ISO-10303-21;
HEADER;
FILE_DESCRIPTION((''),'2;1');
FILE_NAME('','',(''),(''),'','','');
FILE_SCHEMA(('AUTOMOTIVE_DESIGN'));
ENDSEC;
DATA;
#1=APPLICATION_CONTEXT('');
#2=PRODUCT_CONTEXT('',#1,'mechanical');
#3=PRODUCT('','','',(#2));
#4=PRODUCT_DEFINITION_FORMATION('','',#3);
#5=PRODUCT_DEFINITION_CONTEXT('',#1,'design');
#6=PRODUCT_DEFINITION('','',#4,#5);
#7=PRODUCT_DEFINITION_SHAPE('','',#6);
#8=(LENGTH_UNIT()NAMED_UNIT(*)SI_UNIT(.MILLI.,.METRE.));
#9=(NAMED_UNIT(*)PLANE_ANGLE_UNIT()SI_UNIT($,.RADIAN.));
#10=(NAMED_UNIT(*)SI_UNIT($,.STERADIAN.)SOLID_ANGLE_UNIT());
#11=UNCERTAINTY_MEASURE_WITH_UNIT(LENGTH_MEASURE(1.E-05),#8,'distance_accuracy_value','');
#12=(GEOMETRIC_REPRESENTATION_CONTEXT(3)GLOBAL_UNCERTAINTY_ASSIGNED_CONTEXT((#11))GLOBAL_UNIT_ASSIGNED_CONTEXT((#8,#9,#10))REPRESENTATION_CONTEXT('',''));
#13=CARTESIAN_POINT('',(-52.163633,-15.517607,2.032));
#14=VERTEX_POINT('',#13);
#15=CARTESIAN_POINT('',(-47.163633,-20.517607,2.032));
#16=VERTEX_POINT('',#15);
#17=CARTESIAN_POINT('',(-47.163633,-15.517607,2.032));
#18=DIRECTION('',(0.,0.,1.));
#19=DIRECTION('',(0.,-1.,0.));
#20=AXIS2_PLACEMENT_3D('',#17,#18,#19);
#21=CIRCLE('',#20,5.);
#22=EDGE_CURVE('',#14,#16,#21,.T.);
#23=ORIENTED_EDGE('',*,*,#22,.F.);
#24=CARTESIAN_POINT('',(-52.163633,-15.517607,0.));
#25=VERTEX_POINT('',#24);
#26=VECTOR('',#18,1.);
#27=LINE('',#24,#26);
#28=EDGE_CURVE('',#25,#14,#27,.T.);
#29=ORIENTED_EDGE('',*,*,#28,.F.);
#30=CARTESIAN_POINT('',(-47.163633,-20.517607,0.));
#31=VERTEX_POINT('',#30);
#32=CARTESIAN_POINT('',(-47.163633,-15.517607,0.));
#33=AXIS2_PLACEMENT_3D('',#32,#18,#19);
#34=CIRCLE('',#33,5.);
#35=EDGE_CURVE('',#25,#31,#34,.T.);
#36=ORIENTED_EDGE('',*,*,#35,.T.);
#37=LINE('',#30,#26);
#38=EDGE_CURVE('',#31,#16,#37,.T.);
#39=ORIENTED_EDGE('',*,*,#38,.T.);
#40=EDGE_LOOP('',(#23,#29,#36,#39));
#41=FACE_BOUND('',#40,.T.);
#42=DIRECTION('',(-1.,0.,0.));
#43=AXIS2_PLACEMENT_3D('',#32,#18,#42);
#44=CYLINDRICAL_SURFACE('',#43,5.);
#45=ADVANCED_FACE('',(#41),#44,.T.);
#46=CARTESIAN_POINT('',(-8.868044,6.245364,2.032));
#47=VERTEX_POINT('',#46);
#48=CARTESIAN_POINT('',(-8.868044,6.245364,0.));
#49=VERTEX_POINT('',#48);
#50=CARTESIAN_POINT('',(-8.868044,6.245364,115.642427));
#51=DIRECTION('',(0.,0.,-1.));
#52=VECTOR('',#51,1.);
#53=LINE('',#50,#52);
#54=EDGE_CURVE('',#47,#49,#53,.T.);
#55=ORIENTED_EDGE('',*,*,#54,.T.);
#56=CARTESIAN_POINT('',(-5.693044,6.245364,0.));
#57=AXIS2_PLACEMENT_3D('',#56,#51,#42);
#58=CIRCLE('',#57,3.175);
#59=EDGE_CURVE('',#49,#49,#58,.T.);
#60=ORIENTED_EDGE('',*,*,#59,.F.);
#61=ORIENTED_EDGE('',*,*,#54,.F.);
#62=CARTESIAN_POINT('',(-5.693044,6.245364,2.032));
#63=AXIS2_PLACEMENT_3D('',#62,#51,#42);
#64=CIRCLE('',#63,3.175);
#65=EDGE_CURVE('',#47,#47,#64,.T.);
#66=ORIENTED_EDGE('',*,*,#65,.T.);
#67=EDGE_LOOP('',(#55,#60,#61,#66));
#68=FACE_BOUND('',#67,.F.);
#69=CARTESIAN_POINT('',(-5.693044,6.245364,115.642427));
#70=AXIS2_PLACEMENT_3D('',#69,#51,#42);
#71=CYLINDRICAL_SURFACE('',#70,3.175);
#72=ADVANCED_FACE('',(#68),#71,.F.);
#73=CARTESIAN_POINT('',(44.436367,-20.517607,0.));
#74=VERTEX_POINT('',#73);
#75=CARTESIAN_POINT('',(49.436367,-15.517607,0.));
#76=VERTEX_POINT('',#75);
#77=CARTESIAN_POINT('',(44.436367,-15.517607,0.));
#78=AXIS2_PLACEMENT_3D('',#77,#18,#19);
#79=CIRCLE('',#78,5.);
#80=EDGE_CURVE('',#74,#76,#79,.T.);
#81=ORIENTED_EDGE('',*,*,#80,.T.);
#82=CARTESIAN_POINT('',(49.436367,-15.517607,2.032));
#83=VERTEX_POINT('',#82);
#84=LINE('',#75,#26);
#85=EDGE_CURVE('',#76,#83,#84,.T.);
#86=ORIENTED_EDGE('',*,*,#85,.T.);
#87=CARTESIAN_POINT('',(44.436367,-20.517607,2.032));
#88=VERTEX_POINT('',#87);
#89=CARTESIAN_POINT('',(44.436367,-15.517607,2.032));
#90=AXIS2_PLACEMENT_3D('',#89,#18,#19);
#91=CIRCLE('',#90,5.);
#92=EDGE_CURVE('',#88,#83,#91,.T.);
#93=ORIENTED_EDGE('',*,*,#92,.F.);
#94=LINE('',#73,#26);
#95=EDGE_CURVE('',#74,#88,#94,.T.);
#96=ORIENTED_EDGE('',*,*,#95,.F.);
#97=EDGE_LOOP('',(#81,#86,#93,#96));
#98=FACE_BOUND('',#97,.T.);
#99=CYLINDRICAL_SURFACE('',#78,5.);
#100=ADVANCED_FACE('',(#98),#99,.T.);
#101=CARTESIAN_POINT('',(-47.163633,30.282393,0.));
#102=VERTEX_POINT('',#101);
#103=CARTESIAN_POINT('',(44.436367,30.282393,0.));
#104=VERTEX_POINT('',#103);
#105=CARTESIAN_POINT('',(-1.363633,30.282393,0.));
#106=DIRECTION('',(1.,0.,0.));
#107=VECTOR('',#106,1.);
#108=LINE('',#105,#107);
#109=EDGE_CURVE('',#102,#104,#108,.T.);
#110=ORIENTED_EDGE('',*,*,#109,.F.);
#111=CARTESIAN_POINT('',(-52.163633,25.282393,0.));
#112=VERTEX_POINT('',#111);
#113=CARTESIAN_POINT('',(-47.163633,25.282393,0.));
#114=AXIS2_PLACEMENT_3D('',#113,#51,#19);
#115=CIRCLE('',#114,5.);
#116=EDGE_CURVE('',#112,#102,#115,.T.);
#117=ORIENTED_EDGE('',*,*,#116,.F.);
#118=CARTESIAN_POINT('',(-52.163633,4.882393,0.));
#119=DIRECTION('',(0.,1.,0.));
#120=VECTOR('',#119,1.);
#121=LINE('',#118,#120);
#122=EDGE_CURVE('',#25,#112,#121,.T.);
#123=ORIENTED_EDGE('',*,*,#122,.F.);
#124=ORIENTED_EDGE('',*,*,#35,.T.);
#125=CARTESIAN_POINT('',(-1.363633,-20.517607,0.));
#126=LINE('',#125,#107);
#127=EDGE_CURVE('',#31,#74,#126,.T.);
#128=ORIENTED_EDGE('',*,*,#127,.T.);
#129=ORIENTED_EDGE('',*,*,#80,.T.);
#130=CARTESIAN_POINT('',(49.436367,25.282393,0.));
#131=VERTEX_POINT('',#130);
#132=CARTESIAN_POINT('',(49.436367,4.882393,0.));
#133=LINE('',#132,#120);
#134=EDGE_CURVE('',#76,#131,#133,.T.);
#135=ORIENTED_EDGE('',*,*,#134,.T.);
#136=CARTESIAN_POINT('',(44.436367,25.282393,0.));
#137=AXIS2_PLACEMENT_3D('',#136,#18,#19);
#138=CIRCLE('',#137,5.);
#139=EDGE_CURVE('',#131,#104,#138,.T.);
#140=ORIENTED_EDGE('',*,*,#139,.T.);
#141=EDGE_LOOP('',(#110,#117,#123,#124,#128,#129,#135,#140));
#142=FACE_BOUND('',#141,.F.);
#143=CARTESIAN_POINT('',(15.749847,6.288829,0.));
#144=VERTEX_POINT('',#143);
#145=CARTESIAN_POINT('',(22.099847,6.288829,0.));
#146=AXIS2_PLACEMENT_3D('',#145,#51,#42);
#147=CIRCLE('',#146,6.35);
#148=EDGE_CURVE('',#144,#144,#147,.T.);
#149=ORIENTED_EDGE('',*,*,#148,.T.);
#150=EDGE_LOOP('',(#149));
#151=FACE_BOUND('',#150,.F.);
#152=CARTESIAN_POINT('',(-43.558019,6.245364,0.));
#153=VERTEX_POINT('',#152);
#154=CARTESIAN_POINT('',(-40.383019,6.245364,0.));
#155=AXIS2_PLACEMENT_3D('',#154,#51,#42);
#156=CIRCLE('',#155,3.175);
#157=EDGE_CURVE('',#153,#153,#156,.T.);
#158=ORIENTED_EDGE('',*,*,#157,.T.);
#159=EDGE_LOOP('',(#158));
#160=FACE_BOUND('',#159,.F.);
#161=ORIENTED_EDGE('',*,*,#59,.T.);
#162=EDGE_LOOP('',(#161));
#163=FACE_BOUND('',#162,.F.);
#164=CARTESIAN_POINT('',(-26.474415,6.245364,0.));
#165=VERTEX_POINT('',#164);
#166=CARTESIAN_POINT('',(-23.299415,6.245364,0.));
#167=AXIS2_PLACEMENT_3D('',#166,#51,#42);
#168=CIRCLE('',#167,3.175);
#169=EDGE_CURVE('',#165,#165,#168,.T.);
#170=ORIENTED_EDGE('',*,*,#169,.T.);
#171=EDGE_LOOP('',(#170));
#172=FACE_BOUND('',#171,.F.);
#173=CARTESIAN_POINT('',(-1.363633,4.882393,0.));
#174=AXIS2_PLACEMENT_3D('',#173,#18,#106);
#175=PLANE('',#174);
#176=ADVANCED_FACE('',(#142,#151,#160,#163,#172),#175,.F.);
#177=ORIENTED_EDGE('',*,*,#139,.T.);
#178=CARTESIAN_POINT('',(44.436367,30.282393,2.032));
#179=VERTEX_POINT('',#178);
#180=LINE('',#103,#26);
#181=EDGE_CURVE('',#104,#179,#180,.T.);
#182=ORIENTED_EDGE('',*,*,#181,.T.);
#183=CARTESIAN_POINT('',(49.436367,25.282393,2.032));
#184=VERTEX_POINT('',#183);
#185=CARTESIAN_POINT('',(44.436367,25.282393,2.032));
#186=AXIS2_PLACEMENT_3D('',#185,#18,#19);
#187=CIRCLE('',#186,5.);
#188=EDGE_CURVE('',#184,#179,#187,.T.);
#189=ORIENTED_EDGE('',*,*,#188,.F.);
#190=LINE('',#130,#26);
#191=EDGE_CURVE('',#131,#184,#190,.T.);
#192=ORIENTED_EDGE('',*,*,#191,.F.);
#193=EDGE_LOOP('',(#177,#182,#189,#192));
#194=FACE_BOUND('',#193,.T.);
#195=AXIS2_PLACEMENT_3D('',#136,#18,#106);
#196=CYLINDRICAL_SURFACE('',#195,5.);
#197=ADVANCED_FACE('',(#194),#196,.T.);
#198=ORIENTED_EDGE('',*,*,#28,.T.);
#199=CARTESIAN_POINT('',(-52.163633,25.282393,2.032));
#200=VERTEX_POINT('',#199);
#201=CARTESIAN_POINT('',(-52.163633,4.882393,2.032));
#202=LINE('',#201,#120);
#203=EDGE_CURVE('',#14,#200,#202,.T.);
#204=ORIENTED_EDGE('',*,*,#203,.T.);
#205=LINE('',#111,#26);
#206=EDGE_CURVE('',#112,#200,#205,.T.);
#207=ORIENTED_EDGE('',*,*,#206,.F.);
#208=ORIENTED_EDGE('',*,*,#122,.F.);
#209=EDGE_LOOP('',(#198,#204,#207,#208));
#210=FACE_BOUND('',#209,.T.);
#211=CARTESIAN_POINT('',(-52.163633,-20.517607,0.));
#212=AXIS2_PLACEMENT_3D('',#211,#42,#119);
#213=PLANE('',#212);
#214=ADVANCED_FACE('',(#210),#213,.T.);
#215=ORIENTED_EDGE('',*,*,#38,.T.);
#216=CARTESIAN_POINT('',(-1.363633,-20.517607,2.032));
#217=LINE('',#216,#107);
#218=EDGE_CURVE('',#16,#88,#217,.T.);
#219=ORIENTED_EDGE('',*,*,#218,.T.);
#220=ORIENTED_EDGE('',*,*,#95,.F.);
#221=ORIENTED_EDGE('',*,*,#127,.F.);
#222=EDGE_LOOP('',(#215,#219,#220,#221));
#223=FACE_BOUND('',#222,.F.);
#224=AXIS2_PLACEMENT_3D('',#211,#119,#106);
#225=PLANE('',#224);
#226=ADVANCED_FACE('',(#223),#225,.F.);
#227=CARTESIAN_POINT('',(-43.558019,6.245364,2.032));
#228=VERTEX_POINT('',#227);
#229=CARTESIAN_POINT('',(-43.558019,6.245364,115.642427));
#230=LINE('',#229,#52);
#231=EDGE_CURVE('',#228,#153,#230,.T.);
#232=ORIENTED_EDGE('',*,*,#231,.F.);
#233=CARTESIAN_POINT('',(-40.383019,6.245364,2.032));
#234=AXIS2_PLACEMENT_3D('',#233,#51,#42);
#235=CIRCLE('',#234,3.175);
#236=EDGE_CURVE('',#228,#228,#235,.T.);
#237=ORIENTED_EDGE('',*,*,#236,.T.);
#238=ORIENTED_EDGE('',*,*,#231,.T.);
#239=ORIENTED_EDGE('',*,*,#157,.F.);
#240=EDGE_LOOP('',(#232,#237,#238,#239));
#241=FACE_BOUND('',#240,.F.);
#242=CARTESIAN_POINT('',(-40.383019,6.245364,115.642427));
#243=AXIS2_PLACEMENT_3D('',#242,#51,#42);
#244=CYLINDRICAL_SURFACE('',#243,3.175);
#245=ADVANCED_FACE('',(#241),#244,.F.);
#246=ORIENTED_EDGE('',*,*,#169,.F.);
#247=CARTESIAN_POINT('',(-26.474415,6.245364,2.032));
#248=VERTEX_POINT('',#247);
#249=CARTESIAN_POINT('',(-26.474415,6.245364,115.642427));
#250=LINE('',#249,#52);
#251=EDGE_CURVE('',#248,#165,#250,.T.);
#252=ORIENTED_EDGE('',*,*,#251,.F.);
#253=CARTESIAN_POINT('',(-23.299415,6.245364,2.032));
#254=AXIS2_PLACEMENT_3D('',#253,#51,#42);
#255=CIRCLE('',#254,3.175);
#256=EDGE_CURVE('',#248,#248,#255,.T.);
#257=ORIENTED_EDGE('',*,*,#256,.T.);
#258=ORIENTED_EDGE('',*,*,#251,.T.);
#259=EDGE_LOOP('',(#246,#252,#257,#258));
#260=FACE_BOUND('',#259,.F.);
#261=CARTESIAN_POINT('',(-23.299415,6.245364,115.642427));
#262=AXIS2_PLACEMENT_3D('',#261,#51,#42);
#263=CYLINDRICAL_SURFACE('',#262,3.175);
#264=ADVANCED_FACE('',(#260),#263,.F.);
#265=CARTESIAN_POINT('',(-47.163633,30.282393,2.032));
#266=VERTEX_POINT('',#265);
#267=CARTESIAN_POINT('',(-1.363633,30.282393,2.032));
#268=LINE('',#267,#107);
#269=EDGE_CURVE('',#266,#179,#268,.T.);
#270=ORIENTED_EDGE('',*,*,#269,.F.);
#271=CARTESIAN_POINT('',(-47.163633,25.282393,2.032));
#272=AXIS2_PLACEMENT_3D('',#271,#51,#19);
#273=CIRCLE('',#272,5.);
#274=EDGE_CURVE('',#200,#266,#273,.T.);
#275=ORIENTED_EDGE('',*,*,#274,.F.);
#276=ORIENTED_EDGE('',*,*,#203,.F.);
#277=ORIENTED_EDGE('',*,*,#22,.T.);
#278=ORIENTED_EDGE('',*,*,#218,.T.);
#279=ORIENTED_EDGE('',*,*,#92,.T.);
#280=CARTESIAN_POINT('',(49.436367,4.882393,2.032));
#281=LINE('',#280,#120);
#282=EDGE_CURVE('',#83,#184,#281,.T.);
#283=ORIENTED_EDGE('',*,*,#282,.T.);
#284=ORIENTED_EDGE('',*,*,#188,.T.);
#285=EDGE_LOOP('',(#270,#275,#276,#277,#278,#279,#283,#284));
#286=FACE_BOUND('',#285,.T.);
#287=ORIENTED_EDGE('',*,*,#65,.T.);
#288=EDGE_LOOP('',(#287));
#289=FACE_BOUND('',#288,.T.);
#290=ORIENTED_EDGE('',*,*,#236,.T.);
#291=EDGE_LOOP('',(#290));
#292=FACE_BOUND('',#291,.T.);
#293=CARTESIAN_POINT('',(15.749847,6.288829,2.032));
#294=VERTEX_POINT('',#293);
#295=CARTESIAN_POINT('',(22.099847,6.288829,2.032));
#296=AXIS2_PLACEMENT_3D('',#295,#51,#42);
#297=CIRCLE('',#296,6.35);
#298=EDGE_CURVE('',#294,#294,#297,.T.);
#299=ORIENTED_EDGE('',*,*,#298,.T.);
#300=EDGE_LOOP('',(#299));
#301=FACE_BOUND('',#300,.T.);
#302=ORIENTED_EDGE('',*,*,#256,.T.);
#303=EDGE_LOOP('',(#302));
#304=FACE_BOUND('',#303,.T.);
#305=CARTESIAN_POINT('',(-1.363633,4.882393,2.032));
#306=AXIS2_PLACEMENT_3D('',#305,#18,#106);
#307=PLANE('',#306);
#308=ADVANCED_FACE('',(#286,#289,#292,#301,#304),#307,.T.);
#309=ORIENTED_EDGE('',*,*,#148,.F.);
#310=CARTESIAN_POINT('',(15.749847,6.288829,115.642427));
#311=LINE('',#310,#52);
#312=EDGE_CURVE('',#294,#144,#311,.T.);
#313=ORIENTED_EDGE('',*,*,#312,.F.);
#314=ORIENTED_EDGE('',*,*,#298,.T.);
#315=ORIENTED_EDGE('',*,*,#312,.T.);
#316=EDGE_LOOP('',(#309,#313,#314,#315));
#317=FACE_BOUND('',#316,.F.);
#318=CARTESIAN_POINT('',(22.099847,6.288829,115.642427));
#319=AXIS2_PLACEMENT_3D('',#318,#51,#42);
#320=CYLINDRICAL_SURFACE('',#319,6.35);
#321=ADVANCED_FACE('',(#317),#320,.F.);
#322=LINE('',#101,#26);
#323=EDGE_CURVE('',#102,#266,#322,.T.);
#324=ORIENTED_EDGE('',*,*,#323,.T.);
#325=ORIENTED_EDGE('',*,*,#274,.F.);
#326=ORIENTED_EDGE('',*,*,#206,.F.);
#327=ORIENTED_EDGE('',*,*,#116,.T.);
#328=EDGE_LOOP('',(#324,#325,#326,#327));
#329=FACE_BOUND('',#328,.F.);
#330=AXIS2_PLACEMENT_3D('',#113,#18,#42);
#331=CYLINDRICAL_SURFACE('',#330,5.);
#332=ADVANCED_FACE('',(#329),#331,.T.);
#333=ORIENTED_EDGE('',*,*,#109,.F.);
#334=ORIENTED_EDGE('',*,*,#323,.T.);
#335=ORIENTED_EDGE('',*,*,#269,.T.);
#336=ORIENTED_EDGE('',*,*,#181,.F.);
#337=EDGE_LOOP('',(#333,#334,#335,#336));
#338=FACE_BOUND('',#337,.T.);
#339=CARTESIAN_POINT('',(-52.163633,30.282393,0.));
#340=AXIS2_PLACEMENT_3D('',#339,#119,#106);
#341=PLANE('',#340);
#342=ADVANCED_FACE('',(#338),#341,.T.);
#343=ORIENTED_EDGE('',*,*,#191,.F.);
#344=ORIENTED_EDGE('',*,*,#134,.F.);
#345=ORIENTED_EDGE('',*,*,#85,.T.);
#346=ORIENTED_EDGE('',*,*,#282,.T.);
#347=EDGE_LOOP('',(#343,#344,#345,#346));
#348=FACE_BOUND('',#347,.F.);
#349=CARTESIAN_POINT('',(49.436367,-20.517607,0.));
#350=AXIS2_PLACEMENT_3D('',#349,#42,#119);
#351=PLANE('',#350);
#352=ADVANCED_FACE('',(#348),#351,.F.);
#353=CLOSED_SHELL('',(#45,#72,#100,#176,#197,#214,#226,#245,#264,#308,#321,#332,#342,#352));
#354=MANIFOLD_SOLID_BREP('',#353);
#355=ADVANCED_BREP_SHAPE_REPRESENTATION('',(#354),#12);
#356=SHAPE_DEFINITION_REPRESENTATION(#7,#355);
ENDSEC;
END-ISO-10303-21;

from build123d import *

# Parameters (mm, degrees)
F0_W     = 101.6
F0_H     = 50.8
F1_DEPTH = 2.032
F2_R     = 5
F4_D     = 6.35
F6_D     = 12.7


with BuildPart() as f1:
    # F0 (on Top) → F1 (new body)
    with BuildSketch(Plane.XY):
        with Locations((-1.363633, 4.882393)):
            Rectangle(F0_W, F0_H)
    extrude(amount=F1_DEPTH)

    # F2
    f2_edges = [f1.edges().sort_by_distance(p)[0] for p in [
        (-52.163633, 30.282393, 1.016),
        (49.436367, 30.282393, 1.016),
        (-52.163633, -20.517607, 1.016),
        (49.436367, -20.517607, 1.016),
    ]]
    fillet(f2_edges, radius=F2_R)

    # F4 (through all)
    with Locations(Plane.XY.offset(2.032)):
        with Locations((-40.383019, 6.245364), (-23.299415, 6.245364), (-5.693044, 6.245364)):
            Hole(F4_D / 2)

    # F6 (through all)
    with Locations(Plane.XY.offset(2.032)):
        with Locations((22.099847, 6.288829)):
            Hole(F6_D / 2)


solid = f1.part
